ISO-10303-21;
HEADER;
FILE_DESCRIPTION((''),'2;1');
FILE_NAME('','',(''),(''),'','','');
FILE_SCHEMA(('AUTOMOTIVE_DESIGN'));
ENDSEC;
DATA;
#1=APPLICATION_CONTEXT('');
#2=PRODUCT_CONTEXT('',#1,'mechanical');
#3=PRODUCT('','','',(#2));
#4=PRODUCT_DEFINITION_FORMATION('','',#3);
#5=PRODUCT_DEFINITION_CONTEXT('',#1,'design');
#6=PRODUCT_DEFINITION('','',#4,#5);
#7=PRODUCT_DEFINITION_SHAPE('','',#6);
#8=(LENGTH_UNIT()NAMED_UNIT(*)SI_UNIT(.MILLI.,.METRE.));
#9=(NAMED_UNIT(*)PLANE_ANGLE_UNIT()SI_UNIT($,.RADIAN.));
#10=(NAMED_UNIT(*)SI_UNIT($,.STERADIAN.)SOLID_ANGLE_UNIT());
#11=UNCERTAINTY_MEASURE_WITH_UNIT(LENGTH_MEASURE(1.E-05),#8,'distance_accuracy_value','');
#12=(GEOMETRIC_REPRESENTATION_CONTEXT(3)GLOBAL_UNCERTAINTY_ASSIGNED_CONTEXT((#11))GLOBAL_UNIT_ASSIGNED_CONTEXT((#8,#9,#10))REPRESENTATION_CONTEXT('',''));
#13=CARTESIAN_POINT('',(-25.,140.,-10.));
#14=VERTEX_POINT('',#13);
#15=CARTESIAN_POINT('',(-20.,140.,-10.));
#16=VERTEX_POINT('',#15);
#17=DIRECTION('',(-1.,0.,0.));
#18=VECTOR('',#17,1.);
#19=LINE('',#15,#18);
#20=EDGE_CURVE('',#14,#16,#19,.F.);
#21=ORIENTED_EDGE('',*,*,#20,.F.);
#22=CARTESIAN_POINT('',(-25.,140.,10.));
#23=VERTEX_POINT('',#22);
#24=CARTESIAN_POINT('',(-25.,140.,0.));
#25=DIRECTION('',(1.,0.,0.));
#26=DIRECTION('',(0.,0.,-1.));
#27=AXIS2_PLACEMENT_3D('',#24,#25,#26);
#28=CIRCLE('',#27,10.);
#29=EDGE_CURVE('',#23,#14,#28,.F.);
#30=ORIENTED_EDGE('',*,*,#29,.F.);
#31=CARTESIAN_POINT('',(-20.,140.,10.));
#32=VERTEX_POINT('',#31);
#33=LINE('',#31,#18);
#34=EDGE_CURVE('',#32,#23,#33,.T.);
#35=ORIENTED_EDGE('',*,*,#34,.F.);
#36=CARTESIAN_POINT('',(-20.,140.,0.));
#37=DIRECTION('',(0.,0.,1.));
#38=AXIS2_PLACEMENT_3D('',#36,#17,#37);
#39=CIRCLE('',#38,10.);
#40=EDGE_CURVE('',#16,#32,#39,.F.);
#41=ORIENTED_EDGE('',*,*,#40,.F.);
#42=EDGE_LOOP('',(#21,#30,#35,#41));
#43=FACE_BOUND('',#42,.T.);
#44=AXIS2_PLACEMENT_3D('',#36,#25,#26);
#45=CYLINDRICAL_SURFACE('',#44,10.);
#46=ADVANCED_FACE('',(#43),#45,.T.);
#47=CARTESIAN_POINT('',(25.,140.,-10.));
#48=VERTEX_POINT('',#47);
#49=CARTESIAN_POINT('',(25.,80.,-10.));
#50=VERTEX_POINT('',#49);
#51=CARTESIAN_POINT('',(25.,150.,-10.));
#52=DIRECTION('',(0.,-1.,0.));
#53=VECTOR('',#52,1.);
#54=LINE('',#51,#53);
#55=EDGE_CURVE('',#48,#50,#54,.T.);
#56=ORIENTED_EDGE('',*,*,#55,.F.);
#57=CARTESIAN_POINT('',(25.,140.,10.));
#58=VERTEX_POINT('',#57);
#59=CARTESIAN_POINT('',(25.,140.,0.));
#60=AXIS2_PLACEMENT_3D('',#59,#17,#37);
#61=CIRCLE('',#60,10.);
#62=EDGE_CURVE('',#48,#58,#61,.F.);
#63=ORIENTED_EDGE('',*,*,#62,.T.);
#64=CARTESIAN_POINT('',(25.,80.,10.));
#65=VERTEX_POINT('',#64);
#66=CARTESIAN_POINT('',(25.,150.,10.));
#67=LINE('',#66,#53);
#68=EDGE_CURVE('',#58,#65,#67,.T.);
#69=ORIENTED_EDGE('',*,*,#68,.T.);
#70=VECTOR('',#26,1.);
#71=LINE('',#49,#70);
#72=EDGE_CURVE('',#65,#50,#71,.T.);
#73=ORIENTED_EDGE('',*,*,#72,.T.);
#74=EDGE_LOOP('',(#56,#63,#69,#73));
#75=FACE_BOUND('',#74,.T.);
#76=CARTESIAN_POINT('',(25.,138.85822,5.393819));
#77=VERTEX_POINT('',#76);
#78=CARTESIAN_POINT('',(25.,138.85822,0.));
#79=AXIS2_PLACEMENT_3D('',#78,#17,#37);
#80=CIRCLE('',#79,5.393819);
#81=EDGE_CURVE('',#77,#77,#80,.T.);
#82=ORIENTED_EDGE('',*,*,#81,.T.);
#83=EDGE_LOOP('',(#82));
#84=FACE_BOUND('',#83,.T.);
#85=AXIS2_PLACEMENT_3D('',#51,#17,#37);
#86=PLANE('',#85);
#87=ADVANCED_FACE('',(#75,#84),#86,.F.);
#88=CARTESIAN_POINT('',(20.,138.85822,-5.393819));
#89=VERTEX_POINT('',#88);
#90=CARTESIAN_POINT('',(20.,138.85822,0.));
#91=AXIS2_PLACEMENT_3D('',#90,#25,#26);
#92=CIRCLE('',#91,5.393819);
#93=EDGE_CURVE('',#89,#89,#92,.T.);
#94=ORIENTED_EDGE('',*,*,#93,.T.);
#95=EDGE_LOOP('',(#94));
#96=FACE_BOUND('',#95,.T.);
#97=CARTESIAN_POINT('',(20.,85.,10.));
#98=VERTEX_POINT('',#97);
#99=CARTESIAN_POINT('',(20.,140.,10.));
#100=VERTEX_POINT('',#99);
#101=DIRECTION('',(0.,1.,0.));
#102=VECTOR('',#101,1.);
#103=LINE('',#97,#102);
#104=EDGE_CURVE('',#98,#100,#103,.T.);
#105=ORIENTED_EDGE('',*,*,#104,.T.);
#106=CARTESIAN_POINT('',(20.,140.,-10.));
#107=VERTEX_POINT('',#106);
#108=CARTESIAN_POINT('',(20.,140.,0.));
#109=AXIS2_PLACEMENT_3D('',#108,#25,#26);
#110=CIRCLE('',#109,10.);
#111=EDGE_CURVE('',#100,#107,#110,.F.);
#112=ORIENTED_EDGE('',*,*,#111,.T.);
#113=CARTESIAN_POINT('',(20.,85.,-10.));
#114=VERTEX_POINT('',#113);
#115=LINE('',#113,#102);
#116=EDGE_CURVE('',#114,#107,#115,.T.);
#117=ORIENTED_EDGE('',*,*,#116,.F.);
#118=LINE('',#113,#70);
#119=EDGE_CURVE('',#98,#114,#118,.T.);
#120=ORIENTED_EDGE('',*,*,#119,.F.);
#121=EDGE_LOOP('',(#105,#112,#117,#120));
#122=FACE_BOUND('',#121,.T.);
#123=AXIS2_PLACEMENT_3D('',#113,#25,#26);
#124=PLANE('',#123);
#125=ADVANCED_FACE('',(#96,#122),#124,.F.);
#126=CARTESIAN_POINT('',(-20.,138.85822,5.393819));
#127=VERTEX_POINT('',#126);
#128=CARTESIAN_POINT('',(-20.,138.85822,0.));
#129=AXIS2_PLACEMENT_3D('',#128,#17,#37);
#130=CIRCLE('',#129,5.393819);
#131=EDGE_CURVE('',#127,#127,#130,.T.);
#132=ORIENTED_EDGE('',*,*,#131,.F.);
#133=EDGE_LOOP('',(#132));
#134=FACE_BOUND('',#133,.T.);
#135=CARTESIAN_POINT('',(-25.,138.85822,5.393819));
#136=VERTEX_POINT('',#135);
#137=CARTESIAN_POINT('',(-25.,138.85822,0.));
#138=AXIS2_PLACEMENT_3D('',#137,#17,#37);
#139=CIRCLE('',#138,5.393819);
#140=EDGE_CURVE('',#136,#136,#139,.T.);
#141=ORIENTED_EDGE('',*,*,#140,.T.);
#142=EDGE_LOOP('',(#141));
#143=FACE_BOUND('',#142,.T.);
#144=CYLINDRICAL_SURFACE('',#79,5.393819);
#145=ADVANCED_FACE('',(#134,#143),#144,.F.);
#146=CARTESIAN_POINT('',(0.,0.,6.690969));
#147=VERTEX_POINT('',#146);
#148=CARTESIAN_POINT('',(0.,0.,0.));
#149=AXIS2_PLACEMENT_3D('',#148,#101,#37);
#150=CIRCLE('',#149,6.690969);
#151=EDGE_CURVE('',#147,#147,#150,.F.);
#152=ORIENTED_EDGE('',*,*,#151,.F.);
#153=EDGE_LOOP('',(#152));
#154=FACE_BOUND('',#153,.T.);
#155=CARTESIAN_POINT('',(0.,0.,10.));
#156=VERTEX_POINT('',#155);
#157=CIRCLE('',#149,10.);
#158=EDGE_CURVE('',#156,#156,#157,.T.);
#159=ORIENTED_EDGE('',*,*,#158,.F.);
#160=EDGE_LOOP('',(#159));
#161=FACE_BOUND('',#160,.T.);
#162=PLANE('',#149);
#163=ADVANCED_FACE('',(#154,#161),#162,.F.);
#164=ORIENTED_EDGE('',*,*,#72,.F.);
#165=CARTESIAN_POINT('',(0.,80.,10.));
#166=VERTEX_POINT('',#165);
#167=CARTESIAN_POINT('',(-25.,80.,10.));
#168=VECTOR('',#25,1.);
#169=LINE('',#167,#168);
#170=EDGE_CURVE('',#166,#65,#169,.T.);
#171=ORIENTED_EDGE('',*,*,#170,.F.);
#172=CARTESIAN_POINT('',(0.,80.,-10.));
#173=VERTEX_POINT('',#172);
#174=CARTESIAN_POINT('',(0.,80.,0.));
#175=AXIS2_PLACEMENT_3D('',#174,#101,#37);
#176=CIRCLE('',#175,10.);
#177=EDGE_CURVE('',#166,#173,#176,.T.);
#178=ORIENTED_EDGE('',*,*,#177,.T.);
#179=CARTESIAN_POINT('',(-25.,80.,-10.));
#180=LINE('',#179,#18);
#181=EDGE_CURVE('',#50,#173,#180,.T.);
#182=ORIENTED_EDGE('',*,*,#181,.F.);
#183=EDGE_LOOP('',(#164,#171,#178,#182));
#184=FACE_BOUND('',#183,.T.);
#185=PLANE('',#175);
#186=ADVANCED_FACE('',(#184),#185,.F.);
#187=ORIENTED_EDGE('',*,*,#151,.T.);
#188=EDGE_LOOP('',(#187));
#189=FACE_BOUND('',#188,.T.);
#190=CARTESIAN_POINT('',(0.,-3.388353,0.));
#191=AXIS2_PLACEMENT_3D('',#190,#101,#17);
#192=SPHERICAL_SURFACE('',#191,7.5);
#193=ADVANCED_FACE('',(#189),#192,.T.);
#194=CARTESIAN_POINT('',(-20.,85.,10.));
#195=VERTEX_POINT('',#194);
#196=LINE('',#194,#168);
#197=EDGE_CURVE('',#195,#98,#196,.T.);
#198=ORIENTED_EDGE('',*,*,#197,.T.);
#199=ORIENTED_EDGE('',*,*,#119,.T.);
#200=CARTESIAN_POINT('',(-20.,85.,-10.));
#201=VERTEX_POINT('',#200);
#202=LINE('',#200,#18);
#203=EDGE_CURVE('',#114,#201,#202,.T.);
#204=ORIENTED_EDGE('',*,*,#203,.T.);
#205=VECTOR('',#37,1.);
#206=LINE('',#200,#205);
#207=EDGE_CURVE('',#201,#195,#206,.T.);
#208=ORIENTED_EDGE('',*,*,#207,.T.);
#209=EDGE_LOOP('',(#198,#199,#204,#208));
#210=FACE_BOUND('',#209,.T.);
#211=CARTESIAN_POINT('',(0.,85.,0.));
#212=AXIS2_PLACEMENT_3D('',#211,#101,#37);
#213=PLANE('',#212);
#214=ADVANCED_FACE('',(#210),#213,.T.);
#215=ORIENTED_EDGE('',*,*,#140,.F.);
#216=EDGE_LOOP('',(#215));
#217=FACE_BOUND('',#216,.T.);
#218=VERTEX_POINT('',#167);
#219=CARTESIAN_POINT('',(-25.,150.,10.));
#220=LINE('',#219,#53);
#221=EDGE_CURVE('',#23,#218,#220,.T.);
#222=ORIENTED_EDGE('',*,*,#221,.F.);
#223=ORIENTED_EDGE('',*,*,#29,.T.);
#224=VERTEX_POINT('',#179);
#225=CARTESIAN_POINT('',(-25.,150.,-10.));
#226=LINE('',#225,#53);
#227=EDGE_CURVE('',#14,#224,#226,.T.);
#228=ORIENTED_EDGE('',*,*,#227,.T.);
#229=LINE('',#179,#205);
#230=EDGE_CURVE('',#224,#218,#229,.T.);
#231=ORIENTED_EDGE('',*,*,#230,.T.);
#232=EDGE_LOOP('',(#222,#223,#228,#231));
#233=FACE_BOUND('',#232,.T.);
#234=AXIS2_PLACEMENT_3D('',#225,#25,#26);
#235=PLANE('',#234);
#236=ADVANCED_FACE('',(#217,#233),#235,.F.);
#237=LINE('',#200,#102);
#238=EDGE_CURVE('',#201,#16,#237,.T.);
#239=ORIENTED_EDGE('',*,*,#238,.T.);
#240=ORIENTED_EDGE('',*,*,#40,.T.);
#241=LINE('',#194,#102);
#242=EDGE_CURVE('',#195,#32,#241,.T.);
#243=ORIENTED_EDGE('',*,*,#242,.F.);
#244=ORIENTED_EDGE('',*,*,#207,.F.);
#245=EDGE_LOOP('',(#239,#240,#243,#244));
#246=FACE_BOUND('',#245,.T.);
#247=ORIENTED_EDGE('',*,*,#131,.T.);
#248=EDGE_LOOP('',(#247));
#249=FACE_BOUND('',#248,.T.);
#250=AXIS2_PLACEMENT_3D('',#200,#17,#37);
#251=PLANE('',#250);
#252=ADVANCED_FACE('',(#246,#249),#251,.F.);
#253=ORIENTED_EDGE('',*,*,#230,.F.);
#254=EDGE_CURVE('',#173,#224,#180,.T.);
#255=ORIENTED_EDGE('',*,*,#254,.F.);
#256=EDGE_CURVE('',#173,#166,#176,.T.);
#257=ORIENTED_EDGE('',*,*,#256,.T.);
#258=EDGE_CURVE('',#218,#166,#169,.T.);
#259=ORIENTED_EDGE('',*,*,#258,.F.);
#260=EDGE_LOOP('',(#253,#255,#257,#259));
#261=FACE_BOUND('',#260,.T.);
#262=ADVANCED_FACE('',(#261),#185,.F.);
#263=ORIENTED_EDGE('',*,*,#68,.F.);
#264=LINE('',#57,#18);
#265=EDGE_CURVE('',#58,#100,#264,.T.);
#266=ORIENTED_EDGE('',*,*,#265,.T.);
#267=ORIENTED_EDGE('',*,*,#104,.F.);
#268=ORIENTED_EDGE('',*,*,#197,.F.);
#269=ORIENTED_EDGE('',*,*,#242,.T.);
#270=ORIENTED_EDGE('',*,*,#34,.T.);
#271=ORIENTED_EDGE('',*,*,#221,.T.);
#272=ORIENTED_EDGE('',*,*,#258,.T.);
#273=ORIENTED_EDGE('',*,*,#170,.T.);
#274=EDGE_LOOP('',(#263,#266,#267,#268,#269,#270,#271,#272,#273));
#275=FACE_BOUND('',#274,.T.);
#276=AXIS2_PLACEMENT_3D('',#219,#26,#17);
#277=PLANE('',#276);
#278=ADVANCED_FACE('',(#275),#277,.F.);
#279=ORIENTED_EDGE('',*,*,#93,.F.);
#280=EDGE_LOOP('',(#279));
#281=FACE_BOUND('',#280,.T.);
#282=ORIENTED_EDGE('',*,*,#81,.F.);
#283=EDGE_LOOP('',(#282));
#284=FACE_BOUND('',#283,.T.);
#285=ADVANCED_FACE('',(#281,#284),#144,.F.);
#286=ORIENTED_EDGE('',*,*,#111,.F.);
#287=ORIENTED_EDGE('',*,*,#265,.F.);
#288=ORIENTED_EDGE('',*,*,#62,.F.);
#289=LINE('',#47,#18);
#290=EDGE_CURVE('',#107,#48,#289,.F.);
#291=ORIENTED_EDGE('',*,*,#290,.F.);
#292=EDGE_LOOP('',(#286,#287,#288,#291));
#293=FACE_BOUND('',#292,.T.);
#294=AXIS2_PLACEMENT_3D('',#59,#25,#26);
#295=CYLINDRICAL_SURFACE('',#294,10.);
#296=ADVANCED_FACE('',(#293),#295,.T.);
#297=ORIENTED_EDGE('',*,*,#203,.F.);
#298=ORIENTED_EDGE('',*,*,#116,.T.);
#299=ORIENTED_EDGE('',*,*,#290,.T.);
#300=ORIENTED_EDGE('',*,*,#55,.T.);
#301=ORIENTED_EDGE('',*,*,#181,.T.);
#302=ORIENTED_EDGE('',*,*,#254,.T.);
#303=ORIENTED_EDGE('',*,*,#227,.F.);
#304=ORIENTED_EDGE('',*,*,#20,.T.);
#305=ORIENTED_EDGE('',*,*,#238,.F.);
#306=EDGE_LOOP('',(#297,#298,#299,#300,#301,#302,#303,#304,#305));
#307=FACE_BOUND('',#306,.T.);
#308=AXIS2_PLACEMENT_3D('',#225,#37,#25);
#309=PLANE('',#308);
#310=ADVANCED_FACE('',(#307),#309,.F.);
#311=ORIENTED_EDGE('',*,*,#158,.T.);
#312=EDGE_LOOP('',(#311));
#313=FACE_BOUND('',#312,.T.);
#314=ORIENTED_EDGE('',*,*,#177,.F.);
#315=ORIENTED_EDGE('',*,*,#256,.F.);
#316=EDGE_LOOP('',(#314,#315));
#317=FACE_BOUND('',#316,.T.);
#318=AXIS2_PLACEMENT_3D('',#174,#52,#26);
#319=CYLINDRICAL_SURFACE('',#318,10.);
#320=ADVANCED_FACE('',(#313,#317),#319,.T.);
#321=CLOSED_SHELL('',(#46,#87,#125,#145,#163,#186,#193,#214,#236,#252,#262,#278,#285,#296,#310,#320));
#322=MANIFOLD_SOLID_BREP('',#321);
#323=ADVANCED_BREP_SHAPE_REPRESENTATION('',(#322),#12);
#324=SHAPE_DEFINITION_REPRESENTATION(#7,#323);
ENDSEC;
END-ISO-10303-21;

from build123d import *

# Parameters (mm, degrees)
SKETCH_1_R          = 10
SKETCH_1_R_2        = 7.5
EXTRUDE_1_DEPTH     = 80
SKETCH_2_W          = 50
SKETCH_2_H          = 20
EXTRUDE_2_DEPTH     = 70
SKETCH_3_W          = 40
SKETCH_3_H          = 20
CUT_EXTRUDE_1_DEPTH = 65
SKETCH_4_R          = 5.393818753
CUT_EXTRUDE_2_DEPTH = 159.429795178
FILLET_1_RADIUS     = 10
FILLET_1_LENGTH     = 5
FILLET_2_RADIUS     = 10
FILLET_2_LENGTH     = 5
EXTRUDE_START       = 80
SKETCH_5_R          = 7.5
EXTRUDE_3_DEPTH     = 80


with BuildPart() as part:
    # 草图1 → 凸台-拉伸1 (new body)
    with BuildSketch(Plane(origin=(0, 0, 0), x_dir=(1, 0, 0), z_dir=(0, 1, 0))):
        with Locations(Location((0, 0, 0), (0, 0, 270))):
            Circle(SKETCH_1_R)
        with Locations(Location((0, 0, 0), (0, 0, 270))):
            Circle(SKETCH_1_R_2, mode=Mode.SUBTRACT)
    extrude(amount=EXTRUDE_1_DEPTH)

    # 草图2 → 凸台-拉伸2 (add)
    with BuildSketch(Plane(origin=(0, 80, 0), x_dir=(1, 0, 0), z_dir=(0, 1, 0))):
        Rectangle(SKETCH_2_W, SKETCH_2_H)
    extrude(amount=EXTRUDE_2_DEPTH)

    # 草图3 → 切除-拉伸1 (cut)
    with BuildSketch(Plane(origin=(0, 150, 0), x_dir=(1, 0, 0), z_dir=(0, 1, 0))):
        Rectangle(SKETCH_3_W, SKETCH_3_H)
    extrude(amount=-CUT_EXTRUDE_1_DEPTH, mode=Mode.SUBTRACT)

    # 草图4 → 切除-拉伸2 (cut, through all)
    with BuildSketch(Plane.ZY.offset(25)):
        with Locations((0, 138.858219845)):
            Circle(SKETCH_4_R)
    extrude(amount=-CUT_EXTRUDE_2_DEPTH, mode=Mode.SUBTRACT)

    # 圆角1: full round fillet: the end face becomes a half cylinder, R = half its width
    fillet_1_face = Plane((-22.5, 150, 0), x_dir=(1, 0, 0), z_dir=(0, 1, 0))  # on the end face: x along it, z out of the body
    fillet_1_slab = fillet_1_face.offset(-FILLET_1_RADIUS / 2) * Box(FILLET_1_LENGTH, 2 * FILLET_1_RADIUS, FILLET_1_RADIUS, mode=Mode.PRIVATE)  # the body's end, R deep
    fillet_1_round = Plane((-22.5, 140, 0), x_dir=(0, 1, 0), z_dir=(1, 0, 0)) * Cylinder(FILLET_1_RADIUS, FILLET_1_LENGTH, mode=Mode.PRIVATE)  # its axis R under the face
    add(fillet_1_slab - fillet_1_round, mode=Mode.SUBTRACT)

    # 圆角2: full round fillet: the end face becomes a half cylinder, R = half its width
    fillet_2_face = Plane((22.5, 150, 0), x_dir=(-1, 0, 0), z_dir=(0, 1, 0))  # on the end face: x along it, z out of the body
    fillet_2_slab = fillet_2_face.offset(-FILLET_2_RADIUS / 2) * Box(FILLET_2_LENGTH, 2 * FILLET_2_RADIUS, FILLET_2_RADIUS, mode=Mode.PRIVATE)  # the body's end, R deep
    fillet_2_round = Plane((22.5, 140, 0), x_dir=(0, 1, 0), z_dir=(-1, 0, 0)) * Cylinder(FILLET_2_RADIUS, FILLET_2_LENGTH, mode=Mode.PRIVATE)  # its axis R under the face
    add(fillet_2_slab - fillet_2_round, mode=Mode.SUBTRACT)

    # 草图5 → 凸台-拉伸3 (add)
    with BuildSketch(Plane.XZ.offset(-80).offset(EXTRUDE_START)):
        Circle(SKETCH_5_R)
    extrude(amount=-EXTRUDE_3_DEPTH)

    # 草图6 → 旋转1 (revolve)
    with BuildSketch(Plane.XY):
        with BuildLine():
            Line((0, 4.111647453), (0, -10.888352547))
            ThreePointArc((0, -10.888352547), (7.5, -3.388352547), (0, 4.111647453))
        make_face()
    revolve(axis=Axis((0, 4.111647453, 0), (0, -1, 0)))


solid = part.part
